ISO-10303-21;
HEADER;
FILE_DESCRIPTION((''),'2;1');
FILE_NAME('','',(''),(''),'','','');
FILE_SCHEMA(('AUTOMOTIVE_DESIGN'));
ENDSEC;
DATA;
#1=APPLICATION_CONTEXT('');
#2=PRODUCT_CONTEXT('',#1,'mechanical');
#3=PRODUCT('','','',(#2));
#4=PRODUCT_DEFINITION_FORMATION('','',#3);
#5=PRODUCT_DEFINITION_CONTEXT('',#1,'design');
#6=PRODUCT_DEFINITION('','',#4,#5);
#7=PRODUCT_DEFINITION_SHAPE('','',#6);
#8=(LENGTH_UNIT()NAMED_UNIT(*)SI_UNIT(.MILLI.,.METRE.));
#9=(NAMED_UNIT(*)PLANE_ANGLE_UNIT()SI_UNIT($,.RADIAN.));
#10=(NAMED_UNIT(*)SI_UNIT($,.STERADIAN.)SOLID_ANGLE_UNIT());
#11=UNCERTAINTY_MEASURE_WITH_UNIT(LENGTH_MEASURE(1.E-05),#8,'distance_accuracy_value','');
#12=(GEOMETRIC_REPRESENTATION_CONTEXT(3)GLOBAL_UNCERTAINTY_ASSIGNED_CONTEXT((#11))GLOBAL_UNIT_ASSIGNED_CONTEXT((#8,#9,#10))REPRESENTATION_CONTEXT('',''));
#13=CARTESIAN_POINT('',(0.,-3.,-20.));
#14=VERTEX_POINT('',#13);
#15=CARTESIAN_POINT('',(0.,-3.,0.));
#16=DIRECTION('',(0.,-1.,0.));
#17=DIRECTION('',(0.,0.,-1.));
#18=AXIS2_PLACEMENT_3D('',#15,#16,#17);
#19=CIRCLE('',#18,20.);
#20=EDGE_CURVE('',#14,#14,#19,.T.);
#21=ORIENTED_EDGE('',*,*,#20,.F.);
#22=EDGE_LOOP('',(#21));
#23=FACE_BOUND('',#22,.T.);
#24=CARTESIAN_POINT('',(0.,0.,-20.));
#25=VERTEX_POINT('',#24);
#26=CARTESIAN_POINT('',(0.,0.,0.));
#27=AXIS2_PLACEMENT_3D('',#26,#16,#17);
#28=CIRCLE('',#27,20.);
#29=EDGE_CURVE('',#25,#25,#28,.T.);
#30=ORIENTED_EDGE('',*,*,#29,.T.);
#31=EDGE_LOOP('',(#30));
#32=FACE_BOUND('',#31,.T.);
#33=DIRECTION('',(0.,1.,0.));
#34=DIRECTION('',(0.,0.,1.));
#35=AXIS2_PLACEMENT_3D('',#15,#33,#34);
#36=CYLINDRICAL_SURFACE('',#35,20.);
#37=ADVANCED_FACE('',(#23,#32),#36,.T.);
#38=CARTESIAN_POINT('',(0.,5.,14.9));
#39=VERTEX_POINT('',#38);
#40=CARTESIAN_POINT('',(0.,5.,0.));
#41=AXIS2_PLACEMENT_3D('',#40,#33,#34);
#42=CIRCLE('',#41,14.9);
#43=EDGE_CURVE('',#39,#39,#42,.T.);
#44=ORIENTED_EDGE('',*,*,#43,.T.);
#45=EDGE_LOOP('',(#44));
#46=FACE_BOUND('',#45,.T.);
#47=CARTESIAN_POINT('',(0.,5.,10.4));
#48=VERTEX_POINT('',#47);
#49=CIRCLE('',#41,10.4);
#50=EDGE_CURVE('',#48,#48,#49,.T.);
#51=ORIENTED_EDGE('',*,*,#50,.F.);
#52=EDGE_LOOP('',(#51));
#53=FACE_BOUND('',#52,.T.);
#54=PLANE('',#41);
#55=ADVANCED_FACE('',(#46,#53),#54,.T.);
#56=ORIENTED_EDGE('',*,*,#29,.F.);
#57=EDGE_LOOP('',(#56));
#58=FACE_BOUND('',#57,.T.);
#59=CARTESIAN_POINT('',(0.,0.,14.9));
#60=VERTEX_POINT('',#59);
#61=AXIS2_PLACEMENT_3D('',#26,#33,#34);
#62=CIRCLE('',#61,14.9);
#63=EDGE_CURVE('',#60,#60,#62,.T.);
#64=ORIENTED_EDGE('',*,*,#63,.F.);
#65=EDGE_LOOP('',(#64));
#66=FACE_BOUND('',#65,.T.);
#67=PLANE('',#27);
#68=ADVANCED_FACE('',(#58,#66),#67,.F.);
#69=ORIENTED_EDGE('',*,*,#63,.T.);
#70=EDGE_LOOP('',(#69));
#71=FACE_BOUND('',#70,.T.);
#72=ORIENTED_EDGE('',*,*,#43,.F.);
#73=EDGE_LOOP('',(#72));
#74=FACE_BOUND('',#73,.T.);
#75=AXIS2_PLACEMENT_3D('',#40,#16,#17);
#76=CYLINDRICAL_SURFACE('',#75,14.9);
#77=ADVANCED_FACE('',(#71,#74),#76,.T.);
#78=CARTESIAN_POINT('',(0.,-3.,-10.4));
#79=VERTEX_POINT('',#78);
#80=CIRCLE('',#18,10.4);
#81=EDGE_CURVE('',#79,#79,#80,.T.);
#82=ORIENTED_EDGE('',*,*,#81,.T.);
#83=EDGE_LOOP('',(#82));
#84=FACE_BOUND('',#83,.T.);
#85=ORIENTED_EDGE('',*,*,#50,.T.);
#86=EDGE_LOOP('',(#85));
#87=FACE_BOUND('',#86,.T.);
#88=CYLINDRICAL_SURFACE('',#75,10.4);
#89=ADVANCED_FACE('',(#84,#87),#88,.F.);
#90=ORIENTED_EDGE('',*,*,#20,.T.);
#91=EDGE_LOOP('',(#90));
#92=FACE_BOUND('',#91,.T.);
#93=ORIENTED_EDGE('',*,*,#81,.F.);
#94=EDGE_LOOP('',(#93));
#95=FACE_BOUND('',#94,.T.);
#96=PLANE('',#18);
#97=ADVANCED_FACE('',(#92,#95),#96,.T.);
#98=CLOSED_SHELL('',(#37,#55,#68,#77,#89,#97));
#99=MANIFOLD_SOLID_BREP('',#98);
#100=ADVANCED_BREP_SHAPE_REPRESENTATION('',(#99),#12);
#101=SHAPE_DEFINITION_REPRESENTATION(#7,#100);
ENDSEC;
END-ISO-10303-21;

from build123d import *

# Parameters (mm, degrees)
SKETCH_1_R      = 14.9
SKETCH_1_R_2    = 10.4
EXTRUDE_1_DEPTH = 5
SKETCH_2_R      = 20
SKETCH_2_R_2    = 10.4
EXTRUDE_2_DEPTH = 3


with BuildPart() as part:
    # 草图1 → 凸台-拉伸1 (new body)
    with BuildSketch(Plane(origin=(0, 0, 0), x_dir=(1, 0, 0), z_dir=(0, 1, 0))):
        Circle(SKETCH_1_R)
        Circle(SKETCH_1_R_2, mode=Mode.SUBTRACT)
    extrude(amount=EXTRUDE_1_DEPTH)

    # 草图2 → 凸台-拉伸2 (add)
    with BuildSketch(Plane.XZ):
        Circle(SKETCH_2_R)
        Circle(SKETCH_2_R_2, mode=Mode.SUBTRACT)
    extrude(amount=EXTRUDE_2_DEPTH)


solid = part.part
